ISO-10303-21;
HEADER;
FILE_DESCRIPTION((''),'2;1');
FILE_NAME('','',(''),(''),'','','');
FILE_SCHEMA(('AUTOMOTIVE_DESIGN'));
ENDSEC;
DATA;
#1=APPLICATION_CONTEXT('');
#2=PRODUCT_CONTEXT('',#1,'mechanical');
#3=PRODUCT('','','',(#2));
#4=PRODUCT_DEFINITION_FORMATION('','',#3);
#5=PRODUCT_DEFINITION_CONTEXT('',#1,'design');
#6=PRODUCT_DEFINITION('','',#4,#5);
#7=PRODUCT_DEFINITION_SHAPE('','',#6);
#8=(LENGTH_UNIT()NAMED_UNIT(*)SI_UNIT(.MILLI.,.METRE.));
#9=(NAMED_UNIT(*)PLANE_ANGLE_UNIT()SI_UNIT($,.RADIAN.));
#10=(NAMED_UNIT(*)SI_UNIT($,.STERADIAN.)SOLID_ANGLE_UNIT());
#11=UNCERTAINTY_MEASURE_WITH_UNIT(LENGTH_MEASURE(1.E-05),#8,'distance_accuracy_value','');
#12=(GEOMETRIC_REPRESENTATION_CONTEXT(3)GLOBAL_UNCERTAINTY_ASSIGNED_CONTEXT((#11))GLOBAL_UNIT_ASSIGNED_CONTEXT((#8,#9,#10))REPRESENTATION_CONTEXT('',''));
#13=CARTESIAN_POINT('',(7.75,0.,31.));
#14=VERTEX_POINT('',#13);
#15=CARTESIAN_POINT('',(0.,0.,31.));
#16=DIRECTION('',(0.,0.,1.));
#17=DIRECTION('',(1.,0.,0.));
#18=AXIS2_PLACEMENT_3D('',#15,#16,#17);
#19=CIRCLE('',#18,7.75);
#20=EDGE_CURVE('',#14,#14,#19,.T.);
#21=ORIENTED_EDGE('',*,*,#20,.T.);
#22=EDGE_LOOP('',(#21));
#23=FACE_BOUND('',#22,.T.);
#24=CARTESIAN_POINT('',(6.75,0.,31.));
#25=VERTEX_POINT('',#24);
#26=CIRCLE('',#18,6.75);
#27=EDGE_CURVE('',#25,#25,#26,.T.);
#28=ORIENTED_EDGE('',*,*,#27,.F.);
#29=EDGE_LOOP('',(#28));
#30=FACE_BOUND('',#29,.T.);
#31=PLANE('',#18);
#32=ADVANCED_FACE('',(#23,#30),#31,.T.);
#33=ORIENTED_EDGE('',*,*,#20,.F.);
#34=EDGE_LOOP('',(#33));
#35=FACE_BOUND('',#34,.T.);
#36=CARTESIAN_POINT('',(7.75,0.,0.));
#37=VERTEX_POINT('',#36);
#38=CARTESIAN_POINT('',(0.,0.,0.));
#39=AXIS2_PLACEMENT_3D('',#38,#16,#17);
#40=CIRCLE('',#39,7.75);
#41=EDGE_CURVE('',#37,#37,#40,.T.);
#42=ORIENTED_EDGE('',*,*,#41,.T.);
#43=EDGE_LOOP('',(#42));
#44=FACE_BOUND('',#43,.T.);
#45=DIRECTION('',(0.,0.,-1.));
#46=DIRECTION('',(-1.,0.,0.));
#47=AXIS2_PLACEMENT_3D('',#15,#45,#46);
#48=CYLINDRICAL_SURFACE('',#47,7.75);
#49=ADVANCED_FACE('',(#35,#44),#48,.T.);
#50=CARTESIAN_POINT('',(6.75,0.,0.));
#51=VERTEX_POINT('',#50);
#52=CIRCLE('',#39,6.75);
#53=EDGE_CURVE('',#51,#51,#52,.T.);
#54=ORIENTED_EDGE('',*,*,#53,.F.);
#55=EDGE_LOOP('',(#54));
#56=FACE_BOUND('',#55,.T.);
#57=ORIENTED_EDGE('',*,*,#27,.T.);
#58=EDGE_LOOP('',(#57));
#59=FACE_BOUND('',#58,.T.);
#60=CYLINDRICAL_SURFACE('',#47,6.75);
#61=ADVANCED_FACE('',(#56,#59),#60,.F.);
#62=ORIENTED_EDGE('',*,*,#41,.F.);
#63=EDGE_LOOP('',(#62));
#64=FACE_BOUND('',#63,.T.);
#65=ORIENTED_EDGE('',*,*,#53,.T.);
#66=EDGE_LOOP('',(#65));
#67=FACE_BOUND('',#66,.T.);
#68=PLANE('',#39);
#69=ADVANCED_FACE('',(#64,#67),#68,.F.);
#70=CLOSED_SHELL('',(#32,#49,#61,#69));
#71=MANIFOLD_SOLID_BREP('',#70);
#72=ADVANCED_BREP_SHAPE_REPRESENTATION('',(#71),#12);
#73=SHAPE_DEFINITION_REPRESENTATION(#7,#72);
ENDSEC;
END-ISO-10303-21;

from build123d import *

# Parameters (mm, degrees)
SKETCH_1_R      = 7.75
SKETCH_1_R_2    = 6.75
EXTRUDE_1_DEPTH = 31


with BuildPart() as part:
    # 草图1 → 凸台-拉伸1 (new body)
    with BuildSketch(Plane.XY):
        Circle(SKETCH_1_R)
        Circle(SKETCH_1_R_2, mode=Mode.SUBTRACT)
    extrude(amount=EXTRUDE_1_DEPTH)


solid = part.part
